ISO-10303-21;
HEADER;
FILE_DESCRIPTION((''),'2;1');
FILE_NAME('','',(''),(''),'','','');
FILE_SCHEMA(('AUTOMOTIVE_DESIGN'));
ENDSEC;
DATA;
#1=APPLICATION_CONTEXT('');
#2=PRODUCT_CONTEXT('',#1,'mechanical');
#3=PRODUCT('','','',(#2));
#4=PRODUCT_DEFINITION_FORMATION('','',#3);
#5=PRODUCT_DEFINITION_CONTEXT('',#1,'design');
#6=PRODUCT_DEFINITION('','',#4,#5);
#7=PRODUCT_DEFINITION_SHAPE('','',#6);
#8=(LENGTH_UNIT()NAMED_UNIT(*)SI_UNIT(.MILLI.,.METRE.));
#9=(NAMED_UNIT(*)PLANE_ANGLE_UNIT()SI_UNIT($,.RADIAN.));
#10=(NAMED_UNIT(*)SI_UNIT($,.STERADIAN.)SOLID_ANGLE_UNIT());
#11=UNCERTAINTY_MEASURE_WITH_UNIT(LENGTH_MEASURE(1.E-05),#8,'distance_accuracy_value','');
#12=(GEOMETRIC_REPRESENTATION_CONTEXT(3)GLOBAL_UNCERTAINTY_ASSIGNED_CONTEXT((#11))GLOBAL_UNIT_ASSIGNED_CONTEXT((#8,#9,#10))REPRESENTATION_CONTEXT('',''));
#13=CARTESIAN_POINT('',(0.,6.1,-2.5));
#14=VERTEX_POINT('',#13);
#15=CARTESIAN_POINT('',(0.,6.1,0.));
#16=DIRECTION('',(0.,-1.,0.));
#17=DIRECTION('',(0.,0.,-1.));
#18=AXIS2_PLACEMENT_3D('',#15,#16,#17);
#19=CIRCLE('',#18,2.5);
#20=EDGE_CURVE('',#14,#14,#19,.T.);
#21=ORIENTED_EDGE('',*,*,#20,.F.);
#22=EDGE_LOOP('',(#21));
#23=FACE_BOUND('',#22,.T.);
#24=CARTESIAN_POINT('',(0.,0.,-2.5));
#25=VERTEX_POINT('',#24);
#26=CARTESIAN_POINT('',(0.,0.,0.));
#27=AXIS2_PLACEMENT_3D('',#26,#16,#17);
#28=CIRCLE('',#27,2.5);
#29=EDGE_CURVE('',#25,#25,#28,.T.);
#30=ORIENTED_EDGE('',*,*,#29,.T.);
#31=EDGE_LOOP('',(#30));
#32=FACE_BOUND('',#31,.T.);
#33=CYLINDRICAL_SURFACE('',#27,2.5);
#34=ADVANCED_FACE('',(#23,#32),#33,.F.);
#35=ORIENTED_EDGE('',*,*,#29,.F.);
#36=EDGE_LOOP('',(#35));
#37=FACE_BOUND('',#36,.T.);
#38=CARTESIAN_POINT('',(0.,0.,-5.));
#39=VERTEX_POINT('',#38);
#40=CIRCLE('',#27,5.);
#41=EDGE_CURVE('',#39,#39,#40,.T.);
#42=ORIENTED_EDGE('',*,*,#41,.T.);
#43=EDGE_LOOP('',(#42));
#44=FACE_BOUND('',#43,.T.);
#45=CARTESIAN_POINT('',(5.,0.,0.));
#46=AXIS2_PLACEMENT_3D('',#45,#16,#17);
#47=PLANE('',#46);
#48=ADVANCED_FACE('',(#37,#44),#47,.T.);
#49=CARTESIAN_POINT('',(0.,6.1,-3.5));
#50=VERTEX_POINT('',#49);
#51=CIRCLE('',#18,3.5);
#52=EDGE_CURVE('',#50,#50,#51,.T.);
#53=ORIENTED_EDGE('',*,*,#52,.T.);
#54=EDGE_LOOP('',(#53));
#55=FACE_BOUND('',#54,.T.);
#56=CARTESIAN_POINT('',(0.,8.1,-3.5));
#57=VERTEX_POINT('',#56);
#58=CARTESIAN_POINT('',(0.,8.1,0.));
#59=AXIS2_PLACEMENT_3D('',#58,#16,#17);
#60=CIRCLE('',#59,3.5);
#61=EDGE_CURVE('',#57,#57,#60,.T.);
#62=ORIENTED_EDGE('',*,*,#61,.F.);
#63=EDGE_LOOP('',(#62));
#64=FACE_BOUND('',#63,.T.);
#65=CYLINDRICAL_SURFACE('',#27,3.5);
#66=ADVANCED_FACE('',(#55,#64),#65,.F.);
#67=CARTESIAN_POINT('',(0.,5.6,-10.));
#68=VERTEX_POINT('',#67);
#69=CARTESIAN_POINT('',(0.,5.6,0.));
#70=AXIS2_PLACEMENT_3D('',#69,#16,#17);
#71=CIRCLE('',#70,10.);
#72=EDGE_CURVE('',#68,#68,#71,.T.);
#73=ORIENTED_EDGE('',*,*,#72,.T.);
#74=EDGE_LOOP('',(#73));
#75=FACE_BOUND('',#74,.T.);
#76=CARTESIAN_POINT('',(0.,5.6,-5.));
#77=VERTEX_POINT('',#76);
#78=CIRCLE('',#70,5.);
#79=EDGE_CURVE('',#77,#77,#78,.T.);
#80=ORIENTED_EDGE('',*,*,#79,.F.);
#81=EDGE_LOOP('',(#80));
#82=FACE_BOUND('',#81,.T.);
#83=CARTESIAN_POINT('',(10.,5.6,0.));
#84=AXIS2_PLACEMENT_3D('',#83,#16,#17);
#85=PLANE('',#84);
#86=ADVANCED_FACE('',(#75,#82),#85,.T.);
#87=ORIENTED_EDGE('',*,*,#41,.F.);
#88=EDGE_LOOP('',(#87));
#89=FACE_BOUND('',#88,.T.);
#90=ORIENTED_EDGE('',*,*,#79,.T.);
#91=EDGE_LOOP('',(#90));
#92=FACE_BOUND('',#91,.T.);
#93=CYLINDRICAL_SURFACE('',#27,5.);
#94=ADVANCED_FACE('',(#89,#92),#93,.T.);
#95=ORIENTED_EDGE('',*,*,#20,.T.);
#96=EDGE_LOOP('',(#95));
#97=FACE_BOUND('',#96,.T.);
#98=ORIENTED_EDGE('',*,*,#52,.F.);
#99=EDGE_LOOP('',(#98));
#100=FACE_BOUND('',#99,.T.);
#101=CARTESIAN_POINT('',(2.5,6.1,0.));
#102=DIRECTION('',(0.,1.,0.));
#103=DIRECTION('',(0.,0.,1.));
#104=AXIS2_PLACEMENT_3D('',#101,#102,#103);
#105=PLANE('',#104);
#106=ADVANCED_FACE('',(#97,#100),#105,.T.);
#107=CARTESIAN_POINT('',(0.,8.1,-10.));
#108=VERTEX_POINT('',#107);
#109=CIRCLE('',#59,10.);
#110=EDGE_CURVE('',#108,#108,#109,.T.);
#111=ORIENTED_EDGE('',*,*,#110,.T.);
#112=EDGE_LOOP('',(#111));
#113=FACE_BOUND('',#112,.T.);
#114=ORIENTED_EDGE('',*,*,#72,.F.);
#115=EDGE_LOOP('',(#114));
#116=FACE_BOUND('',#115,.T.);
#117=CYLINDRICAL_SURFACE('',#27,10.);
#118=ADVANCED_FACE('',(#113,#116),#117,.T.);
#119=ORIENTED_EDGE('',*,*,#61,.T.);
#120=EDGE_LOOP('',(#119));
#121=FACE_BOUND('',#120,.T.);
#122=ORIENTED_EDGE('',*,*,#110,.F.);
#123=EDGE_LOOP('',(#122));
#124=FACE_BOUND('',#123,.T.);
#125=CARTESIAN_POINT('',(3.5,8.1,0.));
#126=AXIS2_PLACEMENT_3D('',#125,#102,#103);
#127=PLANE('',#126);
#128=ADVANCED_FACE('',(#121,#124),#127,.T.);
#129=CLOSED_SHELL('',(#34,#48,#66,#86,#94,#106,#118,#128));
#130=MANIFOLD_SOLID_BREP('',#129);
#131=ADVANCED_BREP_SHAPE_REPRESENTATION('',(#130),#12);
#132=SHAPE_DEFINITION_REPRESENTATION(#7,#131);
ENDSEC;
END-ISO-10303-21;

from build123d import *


with BuildPart() as part:
    # Sketch1 → Revolve1 (revolve)
    with BuildSketch(Plane.XY, mode=Mode.PRIVATE) as revolve1_sk:
        Polygon((2.5, 6.1), (3.5, 6.1), (3.5, 8.1), (10, 8.1), (10, 5.6), (5, 5.6), (5, 0), (2.5, 0), align=None)
    revolve(revolve1_sk.sketch.rotate(Axis((0, 0, 0), (0, 1, 0)), 90), axis=Axis((0, 0, 0), (0, 1, 0)))


solid = part.part
